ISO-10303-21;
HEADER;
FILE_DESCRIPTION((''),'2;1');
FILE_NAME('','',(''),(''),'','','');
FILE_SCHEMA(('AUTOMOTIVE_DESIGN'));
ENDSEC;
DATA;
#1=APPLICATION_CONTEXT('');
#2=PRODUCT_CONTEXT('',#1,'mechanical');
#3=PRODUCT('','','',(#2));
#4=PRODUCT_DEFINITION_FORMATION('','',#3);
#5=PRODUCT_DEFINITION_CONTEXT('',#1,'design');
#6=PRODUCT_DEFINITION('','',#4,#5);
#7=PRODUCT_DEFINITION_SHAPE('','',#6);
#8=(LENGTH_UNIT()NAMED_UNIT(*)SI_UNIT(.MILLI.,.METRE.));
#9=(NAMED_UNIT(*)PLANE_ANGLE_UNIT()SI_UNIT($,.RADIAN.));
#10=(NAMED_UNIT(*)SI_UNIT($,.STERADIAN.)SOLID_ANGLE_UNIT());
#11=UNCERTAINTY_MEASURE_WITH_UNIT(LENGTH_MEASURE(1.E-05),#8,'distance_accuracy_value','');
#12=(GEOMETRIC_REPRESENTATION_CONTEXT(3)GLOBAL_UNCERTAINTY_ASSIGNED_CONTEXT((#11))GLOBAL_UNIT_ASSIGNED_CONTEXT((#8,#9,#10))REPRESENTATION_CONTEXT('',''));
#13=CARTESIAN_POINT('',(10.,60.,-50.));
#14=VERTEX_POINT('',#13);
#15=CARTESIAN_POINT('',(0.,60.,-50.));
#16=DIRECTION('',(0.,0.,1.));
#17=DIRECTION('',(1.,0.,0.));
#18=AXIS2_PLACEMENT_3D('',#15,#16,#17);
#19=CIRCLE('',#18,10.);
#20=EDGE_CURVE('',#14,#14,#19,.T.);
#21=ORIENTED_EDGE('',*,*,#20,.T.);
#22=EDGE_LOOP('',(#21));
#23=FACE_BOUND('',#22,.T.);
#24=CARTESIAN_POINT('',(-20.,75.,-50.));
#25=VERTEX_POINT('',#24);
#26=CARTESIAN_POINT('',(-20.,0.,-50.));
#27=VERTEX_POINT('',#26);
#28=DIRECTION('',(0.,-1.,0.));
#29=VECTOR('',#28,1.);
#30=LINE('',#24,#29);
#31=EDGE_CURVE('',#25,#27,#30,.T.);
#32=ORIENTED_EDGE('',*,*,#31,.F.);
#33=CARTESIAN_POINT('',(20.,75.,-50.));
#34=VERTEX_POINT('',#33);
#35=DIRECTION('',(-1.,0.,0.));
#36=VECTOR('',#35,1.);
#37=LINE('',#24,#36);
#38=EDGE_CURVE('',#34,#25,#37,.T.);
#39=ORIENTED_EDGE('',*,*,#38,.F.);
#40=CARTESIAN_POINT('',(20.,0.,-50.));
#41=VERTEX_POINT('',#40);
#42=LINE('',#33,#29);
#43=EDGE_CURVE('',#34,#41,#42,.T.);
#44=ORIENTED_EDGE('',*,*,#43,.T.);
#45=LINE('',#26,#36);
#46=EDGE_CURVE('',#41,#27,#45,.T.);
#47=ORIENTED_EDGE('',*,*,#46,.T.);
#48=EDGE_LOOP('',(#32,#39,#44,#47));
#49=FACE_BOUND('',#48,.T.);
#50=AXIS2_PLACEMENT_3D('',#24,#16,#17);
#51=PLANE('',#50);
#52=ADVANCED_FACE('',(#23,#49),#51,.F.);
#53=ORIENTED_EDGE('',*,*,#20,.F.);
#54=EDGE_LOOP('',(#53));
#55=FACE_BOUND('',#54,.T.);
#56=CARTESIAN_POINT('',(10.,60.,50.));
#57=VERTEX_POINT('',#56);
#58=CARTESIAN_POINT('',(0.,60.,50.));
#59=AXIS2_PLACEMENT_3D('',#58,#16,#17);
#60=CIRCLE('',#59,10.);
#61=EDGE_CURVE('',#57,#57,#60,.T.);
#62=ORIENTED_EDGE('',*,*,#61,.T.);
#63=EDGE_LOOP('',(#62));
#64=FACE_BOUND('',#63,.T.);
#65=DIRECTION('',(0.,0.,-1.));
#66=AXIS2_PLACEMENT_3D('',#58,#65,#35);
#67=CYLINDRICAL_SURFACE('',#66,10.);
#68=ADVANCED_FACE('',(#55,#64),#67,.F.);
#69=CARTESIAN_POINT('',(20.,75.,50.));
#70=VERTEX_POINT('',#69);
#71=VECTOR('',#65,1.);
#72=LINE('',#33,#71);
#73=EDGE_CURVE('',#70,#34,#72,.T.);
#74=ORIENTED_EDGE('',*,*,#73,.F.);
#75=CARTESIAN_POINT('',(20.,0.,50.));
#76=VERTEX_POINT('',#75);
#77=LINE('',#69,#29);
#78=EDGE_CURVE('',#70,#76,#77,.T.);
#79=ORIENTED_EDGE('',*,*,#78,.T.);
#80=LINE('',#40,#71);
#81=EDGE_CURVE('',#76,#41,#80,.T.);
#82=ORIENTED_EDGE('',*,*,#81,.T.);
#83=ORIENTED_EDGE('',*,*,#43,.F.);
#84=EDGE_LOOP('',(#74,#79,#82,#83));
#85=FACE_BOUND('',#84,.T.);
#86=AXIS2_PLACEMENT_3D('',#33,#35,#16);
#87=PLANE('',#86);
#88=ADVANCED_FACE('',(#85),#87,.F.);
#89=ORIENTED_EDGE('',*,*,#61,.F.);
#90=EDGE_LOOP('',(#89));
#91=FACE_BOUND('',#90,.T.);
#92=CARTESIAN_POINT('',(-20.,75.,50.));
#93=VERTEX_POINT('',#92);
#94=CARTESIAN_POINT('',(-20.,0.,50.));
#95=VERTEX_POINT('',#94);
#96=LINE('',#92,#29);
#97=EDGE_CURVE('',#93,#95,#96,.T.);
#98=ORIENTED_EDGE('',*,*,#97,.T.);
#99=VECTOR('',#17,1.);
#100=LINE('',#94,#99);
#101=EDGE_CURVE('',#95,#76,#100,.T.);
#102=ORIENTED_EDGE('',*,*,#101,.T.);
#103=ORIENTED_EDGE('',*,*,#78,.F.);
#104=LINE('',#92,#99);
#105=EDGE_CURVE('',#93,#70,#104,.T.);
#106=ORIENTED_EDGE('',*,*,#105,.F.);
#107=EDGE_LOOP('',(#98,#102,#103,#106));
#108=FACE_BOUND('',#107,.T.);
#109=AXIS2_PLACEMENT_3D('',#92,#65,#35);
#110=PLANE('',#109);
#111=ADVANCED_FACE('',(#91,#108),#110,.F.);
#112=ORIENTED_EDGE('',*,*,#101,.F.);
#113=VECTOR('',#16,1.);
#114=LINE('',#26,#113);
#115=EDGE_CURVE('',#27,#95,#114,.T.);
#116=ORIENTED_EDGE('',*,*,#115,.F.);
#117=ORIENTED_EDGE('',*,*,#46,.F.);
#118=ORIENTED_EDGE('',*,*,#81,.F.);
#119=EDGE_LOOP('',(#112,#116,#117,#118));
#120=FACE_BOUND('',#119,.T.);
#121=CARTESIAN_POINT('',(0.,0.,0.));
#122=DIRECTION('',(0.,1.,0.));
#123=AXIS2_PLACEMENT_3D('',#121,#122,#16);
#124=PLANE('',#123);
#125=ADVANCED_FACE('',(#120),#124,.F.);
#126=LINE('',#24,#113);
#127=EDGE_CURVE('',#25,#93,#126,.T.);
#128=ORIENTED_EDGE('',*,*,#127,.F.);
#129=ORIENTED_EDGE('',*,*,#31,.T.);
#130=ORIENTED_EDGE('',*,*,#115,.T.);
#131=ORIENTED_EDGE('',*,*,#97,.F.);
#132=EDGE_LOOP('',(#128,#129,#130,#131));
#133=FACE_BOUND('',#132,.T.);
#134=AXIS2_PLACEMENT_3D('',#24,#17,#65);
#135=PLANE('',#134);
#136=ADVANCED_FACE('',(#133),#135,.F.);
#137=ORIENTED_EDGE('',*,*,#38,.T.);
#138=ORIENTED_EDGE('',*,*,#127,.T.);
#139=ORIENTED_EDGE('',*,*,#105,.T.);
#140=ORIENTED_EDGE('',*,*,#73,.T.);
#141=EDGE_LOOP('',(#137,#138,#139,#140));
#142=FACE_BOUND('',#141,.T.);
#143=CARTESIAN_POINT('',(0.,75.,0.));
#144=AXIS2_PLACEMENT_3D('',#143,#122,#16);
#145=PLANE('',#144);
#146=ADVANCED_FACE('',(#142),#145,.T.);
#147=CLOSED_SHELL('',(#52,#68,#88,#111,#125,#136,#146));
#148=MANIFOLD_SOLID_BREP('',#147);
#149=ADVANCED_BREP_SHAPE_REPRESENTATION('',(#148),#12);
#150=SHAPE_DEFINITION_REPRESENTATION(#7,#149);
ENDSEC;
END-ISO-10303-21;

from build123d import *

# Parameters (mm, degrees)
SKETCH1_W               = 40
SKETCH1_H               = 100
BOSS_EXTRUDE1_DEPTH     = 75
CUT_EXTRUDE1_DEPTH      = 50
CUT_EXTRUDE1_DEPTH_BACK = 50
SKETCH2_R               = 10


with BuildPart() as part:
    # Sketch1 → Boss-Extrude1 (new body)
    with BuildSketch(Plane(origin=(0, 0, 0), x_dir=(1, 0, 0), z_dir=(0, 1, 0))):
        Rectangle(SKETCH1_W, SKETCH1_H)
    extrude(amount=BOSS_EXTRUDE1_DEPTH)

    # Sketch2 → Cut-Extrude1 (cut, two sides: drawn at the far end of the back side and taken through both)
    with BuildSketch(Plane.XY.offset(-CUT_EXTRUDE1_DEPTH_BACK)):
        with Locations((0, 60)):
            Circle(SKETCH2_R)
    extrude(amount=CUT_EXTRUDE1_DEPTH + CUT_EXTRUDE1_DEPTH_BACK, mode=Mode.SUBTRACT)


solid = part.part
